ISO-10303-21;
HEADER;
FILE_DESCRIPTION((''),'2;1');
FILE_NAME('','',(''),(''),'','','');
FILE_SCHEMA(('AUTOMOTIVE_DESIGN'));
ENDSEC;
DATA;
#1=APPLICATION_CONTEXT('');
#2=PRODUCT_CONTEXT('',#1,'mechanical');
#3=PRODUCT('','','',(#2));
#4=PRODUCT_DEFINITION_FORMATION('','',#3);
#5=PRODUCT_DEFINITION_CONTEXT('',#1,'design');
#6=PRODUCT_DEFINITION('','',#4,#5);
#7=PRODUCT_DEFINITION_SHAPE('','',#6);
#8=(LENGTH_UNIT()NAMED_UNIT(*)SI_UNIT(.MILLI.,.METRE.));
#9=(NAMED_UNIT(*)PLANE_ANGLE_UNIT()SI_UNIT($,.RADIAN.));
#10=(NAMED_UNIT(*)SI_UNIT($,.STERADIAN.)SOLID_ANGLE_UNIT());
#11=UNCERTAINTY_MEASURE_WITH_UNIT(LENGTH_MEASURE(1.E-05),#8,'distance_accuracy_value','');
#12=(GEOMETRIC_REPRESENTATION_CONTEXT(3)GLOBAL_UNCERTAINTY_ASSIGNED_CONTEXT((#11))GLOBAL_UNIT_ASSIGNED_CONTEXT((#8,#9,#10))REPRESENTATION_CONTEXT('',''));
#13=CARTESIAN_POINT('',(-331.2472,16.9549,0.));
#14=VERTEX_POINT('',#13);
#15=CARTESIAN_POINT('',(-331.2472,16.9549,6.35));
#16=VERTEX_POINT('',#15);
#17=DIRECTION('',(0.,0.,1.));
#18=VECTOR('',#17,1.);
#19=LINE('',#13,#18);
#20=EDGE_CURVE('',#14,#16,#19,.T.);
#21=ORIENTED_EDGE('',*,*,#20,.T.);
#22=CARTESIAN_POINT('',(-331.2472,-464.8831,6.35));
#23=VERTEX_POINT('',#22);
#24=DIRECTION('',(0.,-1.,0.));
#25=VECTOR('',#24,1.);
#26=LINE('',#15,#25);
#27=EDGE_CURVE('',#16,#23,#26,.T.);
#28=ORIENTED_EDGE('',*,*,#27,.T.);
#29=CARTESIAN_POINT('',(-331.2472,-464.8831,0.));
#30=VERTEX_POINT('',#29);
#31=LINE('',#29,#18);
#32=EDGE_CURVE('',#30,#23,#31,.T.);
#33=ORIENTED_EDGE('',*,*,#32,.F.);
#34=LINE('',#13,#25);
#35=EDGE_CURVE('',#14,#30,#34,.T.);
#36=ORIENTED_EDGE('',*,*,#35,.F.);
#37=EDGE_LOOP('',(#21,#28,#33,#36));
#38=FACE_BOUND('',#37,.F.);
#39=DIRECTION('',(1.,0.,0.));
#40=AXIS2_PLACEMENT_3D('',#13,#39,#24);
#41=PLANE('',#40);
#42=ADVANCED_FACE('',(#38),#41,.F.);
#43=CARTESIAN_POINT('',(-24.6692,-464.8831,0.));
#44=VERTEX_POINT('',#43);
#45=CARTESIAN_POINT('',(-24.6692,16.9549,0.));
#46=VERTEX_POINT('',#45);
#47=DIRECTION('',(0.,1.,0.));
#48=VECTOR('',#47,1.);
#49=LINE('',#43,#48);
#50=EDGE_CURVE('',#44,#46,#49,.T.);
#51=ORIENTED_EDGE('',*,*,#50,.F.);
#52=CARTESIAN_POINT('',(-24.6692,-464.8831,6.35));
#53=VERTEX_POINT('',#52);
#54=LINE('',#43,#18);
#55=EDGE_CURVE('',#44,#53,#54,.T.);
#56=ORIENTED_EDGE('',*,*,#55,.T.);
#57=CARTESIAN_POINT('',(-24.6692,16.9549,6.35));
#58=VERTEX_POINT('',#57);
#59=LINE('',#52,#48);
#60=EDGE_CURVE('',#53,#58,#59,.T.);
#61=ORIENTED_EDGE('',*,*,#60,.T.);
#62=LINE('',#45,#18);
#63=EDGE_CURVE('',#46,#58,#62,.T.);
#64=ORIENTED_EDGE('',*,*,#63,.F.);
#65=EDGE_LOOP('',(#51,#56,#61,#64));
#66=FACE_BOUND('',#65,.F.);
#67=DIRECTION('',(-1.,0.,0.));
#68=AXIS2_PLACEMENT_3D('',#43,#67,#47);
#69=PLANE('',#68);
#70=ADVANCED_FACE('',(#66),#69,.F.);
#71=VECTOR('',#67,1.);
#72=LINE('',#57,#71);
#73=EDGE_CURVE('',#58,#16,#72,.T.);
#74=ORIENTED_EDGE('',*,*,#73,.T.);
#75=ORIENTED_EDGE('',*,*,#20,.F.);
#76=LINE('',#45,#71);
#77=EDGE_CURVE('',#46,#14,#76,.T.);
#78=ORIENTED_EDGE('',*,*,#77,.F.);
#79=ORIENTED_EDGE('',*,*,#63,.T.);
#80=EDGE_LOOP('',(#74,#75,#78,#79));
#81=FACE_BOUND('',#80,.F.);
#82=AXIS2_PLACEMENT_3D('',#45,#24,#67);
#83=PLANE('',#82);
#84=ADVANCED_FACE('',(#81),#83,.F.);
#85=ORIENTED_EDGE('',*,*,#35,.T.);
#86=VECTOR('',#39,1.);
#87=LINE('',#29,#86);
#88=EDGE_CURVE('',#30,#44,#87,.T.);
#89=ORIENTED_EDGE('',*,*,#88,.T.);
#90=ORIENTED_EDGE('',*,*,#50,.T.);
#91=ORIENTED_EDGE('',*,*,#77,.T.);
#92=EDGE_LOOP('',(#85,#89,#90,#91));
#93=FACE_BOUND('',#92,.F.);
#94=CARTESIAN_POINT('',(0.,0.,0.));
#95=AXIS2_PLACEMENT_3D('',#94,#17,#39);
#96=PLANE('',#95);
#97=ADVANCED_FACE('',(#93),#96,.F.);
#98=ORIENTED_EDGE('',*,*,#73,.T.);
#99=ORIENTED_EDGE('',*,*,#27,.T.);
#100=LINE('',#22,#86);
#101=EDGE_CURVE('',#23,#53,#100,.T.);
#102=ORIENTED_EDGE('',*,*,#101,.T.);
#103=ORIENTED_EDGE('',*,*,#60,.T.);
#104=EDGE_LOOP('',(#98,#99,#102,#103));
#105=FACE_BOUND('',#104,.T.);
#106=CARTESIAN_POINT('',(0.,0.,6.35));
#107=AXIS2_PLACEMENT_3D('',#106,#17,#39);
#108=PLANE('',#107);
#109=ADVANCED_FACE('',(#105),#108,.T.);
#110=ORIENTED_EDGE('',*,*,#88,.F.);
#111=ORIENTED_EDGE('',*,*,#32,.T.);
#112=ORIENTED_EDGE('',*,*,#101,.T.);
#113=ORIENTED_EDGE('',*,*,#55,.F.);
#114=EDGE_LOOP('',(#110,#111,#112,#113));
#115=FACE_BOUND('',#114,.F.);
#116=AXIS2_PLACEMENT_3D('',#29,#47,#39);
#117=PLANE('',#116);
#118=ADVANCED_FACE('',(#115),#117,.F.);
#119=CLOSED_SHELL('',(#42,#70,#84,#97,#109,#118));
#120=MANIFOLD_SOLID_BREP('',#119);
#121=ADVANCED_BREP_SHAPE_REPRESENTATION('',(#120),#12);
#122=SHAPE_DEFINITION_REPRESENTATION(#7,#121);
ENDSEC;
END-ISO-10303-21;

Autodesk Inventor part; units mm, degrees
ref_plane "YZ Plane" through (0, 0, 0) normal (1, 0, 0) x (0, 1, 0)
ref_plane "XZ Plane" through (0, 0, 0) normal (0, 1, 0) x (-1, 0, 0)
ref_plane "XY Plane" through (0, 0, 0) normal (0, 0, 1) x (1, 0, 0)
sketch "Sketch1" plane through (0, 0, 0) normal (0, 0, 1) x (1, 0, 0)
  line L0 (-24.6692, 16.9549) -> (-331.2472, 16.9549)
  line L1 (-331.2472, 16.9549) -> (-331.2472, -464.8831)
  line L2 (-331.2472, -464.8831) -> (-24.6692, -464.8831)
  line L3 (-24.6692, -464.8831) -> (-24.6692, 16.9549)
  point P0 (0, 0)
  dimension "d0" = 306.578
  dimension "d1" = 481.838
extrude "Extrusion1" add sketch "Sketch1" along normal blind 6.35
properties part number "large"
